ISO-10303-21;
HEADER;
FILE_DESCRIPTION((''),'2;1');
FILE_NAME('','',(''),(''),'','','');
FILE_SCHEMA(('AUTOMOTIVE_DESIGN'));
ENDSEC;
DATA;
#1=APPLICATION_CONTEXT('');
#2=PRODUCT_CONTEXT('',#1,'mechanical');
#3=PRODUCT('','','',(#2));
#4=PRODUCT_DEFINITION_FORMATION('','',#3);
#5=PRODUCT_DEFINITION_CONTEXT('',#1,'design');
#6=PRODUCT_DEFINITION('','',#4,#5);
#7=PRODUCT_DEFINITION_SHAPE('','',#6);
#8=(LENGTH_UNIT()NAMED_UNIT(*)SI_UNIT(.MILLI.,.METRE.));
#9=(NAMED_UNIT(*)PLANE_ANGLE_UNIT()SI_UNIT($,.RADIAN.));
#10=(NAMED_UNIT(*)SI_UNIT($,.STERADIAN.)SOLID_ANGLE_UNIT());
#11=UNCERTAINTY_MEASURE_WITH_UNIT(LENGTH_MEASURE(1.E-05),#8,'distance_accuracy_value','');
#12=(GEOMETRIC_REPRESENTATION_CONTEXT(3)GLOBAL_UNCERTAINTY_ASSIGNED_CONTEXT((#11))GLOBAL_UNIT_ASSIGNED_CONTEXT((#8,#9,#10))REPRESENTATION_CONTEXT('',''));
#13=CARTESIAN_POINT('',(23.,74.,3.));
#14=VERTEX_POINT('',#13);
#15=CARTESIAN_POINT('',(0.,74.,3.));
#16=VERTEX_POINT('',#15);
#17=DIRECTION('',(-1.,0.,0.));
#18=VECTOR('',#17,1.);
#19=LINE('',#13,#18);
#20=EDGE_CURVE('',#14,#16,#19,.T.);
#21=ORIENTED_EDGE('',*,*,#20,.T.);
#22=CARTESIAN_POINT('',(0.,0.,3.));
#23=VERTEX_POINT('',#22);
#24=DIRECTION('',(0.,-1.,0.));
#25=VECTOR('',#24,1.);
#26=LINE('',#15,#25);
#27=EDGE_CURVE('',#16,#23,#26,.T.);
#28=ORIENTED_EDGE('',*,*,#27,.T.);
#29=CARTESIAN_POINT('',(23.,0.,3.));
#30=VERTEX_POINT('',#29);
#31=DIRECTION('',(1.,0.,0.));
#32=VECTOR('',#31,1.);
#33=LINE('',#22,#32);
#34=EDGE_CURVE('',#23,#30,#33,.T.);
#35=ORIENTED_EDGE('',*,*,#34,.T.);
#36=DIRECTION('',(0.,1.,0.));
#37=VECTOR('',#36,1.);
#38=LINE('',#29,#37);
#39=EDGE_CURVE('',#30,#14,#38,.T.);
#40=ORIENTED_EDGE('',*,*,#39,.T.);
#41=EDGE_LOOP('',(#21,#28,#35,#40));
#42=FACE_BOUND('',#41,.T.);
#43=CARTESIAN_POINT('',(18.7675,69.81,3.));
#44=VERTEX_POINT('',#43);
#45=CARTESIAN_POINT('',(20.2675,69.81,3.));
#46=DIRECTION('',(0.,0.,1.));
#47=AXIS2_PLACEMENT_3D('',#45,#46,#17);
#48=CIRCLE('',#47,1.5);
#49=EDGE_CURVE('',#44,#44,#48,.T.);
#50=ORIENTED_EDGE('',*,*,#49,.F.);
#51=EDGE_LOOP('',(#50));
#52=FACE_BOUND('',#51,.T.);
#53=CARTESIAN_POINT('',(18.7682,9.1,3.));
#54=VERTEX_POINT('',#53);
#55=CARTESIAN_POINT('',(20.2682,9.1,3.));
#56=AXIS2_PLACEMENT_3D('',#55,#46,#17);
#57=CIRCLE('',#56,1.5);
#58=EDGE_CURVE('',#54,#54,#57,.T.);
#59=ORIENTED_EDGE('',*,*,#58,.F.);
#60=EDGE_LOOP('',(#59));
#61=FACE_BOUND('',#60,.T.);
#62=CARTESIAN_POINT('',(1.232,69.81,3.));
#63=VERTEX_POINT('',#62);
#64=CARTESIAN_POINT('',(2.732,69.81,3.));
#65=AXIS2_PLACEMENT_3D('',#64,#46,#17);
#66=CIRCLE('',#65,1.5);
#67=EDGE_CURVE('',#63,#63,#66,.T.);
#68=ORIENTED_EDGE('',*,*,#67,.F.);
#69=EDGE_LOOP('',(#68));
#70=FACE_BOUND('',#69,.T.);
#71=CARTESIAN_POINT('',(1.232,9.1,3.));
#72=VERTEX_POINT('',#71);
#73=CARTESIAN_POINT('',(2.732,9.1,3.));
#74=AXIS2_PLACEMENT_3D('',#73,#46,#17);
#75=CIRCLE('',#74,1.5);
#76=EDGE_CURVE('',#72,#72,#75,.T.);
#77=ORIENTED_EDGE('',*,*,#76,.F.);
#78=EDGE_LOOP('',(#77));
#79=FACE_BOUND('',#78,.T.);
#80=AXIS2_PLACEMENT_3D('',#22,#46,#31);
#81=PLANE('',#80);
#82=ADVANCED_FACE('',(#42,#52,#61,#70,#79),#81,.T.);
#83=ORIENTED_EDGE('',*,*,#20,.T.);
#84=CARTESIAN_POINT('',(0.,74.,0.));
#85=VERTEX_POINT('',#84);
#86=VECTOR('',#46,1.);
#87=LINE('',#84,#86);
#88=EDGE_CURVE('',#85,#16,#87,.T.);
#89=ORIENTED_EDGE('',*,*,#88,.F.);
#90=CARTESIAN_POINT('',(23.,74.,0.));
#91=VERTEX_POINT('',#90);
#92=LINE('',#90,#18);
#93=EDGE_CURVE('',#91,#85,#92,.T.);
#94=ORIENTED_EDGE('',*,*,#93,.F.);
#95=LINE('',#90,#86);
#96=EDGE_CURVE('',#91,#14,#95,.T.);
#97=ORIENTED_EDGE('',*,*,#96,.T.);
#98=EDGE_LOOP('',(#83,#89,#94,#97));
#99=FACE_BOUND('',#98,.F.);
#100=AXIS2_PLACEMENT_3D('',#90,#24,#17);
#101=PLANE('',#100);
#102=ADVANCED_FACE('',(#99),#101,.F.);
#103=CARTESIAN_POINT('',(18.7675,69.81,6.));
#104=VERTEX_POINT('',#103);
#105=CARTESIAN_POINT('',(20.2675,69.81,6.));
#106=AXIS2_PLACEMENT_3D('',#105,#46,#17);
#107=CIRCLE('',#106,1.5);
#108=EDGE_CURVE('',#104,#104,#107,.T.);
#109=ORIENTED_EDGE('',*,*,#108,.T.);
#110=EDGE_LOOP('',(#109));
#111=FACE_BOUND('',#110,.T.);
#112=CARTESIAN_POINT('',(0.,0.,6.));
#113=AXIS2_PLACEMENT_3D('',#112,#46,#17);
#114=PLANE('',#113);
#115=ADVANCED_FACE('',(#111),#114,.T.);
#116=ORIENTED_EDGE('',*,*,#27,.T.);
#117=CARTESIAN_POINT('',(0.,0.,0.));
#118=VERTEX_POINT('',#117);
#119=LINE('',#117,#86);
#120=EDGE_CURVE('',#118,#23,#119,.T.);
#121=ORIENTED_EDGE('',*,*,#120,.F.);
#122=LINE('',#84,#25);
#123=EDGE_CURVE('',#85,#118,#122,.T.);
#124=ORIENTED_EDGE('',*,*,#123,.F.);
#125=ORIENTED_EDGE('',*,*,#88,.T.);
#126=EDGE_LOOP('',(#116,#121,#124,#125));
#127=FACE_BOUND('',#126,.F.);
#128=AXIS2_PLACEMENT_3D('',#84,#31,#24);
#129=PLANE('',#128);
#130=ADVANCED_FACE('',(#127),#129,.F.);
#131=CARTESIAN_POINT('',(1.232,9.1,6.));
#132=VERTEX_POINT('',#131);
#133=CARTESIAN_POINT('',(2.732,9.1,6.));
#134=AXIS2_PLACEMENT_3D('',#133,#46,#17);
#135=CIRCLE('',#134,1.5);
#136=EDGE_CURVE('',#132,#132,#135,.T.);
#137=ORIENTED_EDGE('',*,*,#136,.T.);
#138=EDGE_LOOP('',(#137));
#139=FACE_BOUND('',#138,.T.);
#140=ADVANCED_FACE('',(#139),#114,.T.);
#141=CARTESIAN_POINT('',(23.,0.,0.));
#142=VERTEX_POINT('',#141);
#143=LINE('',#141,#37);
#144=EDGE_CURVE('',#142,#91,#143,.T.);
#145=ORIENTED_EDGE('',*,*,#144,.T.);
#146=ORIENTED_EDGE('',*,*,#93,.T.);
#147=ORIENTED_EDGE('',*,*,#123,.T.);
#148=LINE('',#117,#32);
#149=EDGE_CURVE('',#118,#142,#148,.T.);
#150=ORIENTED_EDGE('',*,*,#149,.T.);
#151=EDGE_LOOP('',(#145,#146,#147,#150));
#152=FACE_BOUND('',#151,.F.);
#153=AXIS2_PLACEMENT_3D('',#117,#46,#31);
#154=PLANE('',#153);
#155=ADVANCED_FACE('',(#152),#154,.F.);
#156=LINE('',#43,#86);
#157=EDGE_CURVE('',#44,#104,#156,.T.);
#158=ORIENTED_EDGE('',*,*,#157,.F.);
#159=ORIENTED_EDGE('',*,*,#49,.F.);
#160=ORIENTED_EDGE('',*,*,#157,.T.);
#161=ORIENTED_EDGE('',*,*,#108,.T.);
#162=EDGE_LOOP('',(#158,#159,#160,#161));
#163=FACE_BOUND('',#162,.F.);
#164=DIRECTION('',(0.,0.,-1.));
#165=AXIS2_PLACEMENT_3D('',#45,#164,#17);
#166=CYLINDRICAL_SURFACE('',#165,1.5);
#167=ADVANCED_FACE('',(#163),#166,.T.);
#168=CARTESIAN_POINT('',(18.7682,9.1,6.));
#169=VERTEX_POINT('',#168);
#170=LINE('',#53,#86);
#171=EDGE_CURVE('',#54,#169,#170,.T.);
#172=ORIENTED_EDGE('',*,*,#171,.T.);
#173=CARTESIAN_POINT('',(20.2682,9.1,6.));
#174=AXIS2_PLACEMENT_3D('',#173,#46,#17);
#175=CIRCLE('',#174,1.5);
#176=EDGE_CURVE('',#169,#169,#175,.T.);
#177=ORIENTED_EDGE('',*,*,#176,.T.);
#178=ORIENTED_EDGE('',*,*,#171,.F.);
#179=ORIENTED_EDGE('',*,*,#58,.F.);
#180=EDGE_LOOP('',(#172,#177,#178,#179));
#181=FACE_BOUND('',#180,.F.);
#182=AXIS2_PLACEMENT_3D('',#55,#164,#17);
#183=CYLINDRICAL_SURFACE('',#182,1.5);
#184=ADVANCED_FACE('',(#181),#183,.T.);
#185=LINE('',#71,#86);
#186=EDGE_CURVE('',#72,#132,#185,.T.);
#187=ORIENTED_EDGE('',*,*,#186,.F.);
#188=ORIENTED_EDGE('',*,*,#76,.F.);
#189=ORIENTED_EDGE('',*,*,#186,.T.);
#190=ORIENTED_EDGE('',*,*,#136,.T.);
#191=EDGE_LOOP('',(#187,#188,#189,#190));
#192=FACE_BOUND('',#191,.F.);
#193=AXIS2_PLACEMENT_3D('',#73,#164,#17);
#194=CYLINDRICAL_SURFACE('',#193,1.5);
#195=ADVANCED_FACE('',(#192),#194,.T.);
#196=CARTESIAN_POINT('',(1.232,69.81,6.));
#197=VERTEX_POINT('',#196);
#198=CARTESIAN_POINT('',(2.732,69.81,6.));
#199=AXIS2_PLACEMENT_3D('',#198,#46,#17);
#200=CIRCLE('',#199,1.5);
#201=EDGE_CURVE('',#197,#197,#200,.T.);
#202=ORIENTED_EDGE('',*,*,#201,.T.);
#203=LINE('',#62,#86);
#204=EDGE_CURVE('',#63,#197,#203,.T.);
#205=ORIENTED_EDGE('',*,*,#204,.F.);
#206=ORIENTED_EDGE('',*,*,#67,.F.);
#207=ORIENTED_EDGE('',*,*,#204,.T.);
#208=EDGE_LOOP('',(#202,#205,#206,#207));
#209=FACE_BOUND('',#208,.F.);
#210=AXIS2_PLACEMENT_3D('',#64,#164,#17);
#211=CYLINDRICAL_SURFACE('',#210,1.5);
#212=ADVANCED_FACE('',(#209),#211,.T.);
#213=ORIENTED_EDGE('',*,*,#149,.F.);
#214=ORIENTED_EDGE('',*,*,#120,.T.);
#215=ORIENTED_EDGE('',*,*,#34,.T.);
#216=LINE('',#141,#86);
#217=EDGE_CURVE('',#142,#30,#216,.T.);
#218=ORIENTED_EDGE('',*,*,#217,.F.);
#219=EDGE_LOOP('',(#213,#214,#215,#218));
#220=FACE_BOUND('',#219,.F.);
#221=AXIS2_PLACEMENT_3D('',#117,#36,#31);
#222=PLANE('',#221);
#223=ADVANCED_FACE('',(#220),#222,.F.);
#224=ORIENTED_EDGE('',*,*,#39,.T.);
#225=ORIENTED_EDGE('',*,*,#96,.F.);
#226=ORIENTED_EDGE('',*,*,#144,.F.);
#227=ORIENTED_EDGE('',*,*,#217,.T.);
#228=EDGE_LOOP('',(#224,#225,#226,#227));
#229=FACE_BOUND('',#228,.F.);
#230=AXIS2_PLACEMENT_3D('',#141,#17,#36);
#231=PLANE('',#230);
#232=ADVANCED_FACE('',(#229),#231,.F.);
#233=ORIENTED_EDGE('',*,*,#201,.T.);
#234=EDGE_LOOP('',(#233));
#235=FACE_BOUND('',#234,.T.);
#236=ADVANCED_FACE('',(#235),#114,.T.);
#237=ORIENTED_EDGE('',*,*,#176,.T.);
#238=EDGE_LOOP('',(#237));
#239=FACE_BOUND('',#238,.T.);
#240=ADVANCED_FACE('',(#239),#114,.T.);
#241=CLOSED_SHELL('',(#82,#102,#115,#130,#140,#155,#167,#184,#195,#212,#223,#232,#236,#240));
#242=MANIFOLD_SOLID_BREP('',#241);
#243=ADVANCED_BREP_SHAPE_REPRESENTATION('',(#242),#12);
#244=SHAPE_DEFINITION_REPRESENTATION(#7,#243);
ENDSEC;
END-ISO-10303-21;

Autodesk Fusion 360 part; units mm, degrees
sketch "Sketch1" plane through (0, 0, 0) normal (0, 0, 1) x (1, 0, 0)
  line L0 (0, 0) -> (23, 0)
  line L1 (23, 0) -> (23, 74)
  line L2 (23, 74) -> (0, 74)
  line L3 (0, 74) -> (0, 0)
  dimension "d1" = 23
  dimension "d2" = 74
extrude "Extrude1" add sketch "Sketch1" along normal blind 3
sketch "Sketch2" plane through (0, 0, 3) normal (0, 0, 1) x (-1, 0, 0)
  line L0 (0, -74) -> (0, 0)
  line L1 (0, 0) -> (-23, 0)
  line L2 (-23, 0) -> (-23, -74)
  line L3 (-23, -74) -> (0, -74)
  circle A0 centre (-2.732, -9.1) radius 1.5
  circle A1 centre (-20.2682, -9.1) radius 1.5
  circle A2 centre (-2.732, -69.81) radius 1.5
  circle A3 centre (-20.2675, -69.81) radius 1.5
  dimension "d5" = 3
  dimension "d6" = 3
  dimension "d7" = 3
  dimension "d8" = 3
extrude "Extrude2" add sketch "Sketch2" along normal blind 3 contours A0 | A1 | A2 | A3
